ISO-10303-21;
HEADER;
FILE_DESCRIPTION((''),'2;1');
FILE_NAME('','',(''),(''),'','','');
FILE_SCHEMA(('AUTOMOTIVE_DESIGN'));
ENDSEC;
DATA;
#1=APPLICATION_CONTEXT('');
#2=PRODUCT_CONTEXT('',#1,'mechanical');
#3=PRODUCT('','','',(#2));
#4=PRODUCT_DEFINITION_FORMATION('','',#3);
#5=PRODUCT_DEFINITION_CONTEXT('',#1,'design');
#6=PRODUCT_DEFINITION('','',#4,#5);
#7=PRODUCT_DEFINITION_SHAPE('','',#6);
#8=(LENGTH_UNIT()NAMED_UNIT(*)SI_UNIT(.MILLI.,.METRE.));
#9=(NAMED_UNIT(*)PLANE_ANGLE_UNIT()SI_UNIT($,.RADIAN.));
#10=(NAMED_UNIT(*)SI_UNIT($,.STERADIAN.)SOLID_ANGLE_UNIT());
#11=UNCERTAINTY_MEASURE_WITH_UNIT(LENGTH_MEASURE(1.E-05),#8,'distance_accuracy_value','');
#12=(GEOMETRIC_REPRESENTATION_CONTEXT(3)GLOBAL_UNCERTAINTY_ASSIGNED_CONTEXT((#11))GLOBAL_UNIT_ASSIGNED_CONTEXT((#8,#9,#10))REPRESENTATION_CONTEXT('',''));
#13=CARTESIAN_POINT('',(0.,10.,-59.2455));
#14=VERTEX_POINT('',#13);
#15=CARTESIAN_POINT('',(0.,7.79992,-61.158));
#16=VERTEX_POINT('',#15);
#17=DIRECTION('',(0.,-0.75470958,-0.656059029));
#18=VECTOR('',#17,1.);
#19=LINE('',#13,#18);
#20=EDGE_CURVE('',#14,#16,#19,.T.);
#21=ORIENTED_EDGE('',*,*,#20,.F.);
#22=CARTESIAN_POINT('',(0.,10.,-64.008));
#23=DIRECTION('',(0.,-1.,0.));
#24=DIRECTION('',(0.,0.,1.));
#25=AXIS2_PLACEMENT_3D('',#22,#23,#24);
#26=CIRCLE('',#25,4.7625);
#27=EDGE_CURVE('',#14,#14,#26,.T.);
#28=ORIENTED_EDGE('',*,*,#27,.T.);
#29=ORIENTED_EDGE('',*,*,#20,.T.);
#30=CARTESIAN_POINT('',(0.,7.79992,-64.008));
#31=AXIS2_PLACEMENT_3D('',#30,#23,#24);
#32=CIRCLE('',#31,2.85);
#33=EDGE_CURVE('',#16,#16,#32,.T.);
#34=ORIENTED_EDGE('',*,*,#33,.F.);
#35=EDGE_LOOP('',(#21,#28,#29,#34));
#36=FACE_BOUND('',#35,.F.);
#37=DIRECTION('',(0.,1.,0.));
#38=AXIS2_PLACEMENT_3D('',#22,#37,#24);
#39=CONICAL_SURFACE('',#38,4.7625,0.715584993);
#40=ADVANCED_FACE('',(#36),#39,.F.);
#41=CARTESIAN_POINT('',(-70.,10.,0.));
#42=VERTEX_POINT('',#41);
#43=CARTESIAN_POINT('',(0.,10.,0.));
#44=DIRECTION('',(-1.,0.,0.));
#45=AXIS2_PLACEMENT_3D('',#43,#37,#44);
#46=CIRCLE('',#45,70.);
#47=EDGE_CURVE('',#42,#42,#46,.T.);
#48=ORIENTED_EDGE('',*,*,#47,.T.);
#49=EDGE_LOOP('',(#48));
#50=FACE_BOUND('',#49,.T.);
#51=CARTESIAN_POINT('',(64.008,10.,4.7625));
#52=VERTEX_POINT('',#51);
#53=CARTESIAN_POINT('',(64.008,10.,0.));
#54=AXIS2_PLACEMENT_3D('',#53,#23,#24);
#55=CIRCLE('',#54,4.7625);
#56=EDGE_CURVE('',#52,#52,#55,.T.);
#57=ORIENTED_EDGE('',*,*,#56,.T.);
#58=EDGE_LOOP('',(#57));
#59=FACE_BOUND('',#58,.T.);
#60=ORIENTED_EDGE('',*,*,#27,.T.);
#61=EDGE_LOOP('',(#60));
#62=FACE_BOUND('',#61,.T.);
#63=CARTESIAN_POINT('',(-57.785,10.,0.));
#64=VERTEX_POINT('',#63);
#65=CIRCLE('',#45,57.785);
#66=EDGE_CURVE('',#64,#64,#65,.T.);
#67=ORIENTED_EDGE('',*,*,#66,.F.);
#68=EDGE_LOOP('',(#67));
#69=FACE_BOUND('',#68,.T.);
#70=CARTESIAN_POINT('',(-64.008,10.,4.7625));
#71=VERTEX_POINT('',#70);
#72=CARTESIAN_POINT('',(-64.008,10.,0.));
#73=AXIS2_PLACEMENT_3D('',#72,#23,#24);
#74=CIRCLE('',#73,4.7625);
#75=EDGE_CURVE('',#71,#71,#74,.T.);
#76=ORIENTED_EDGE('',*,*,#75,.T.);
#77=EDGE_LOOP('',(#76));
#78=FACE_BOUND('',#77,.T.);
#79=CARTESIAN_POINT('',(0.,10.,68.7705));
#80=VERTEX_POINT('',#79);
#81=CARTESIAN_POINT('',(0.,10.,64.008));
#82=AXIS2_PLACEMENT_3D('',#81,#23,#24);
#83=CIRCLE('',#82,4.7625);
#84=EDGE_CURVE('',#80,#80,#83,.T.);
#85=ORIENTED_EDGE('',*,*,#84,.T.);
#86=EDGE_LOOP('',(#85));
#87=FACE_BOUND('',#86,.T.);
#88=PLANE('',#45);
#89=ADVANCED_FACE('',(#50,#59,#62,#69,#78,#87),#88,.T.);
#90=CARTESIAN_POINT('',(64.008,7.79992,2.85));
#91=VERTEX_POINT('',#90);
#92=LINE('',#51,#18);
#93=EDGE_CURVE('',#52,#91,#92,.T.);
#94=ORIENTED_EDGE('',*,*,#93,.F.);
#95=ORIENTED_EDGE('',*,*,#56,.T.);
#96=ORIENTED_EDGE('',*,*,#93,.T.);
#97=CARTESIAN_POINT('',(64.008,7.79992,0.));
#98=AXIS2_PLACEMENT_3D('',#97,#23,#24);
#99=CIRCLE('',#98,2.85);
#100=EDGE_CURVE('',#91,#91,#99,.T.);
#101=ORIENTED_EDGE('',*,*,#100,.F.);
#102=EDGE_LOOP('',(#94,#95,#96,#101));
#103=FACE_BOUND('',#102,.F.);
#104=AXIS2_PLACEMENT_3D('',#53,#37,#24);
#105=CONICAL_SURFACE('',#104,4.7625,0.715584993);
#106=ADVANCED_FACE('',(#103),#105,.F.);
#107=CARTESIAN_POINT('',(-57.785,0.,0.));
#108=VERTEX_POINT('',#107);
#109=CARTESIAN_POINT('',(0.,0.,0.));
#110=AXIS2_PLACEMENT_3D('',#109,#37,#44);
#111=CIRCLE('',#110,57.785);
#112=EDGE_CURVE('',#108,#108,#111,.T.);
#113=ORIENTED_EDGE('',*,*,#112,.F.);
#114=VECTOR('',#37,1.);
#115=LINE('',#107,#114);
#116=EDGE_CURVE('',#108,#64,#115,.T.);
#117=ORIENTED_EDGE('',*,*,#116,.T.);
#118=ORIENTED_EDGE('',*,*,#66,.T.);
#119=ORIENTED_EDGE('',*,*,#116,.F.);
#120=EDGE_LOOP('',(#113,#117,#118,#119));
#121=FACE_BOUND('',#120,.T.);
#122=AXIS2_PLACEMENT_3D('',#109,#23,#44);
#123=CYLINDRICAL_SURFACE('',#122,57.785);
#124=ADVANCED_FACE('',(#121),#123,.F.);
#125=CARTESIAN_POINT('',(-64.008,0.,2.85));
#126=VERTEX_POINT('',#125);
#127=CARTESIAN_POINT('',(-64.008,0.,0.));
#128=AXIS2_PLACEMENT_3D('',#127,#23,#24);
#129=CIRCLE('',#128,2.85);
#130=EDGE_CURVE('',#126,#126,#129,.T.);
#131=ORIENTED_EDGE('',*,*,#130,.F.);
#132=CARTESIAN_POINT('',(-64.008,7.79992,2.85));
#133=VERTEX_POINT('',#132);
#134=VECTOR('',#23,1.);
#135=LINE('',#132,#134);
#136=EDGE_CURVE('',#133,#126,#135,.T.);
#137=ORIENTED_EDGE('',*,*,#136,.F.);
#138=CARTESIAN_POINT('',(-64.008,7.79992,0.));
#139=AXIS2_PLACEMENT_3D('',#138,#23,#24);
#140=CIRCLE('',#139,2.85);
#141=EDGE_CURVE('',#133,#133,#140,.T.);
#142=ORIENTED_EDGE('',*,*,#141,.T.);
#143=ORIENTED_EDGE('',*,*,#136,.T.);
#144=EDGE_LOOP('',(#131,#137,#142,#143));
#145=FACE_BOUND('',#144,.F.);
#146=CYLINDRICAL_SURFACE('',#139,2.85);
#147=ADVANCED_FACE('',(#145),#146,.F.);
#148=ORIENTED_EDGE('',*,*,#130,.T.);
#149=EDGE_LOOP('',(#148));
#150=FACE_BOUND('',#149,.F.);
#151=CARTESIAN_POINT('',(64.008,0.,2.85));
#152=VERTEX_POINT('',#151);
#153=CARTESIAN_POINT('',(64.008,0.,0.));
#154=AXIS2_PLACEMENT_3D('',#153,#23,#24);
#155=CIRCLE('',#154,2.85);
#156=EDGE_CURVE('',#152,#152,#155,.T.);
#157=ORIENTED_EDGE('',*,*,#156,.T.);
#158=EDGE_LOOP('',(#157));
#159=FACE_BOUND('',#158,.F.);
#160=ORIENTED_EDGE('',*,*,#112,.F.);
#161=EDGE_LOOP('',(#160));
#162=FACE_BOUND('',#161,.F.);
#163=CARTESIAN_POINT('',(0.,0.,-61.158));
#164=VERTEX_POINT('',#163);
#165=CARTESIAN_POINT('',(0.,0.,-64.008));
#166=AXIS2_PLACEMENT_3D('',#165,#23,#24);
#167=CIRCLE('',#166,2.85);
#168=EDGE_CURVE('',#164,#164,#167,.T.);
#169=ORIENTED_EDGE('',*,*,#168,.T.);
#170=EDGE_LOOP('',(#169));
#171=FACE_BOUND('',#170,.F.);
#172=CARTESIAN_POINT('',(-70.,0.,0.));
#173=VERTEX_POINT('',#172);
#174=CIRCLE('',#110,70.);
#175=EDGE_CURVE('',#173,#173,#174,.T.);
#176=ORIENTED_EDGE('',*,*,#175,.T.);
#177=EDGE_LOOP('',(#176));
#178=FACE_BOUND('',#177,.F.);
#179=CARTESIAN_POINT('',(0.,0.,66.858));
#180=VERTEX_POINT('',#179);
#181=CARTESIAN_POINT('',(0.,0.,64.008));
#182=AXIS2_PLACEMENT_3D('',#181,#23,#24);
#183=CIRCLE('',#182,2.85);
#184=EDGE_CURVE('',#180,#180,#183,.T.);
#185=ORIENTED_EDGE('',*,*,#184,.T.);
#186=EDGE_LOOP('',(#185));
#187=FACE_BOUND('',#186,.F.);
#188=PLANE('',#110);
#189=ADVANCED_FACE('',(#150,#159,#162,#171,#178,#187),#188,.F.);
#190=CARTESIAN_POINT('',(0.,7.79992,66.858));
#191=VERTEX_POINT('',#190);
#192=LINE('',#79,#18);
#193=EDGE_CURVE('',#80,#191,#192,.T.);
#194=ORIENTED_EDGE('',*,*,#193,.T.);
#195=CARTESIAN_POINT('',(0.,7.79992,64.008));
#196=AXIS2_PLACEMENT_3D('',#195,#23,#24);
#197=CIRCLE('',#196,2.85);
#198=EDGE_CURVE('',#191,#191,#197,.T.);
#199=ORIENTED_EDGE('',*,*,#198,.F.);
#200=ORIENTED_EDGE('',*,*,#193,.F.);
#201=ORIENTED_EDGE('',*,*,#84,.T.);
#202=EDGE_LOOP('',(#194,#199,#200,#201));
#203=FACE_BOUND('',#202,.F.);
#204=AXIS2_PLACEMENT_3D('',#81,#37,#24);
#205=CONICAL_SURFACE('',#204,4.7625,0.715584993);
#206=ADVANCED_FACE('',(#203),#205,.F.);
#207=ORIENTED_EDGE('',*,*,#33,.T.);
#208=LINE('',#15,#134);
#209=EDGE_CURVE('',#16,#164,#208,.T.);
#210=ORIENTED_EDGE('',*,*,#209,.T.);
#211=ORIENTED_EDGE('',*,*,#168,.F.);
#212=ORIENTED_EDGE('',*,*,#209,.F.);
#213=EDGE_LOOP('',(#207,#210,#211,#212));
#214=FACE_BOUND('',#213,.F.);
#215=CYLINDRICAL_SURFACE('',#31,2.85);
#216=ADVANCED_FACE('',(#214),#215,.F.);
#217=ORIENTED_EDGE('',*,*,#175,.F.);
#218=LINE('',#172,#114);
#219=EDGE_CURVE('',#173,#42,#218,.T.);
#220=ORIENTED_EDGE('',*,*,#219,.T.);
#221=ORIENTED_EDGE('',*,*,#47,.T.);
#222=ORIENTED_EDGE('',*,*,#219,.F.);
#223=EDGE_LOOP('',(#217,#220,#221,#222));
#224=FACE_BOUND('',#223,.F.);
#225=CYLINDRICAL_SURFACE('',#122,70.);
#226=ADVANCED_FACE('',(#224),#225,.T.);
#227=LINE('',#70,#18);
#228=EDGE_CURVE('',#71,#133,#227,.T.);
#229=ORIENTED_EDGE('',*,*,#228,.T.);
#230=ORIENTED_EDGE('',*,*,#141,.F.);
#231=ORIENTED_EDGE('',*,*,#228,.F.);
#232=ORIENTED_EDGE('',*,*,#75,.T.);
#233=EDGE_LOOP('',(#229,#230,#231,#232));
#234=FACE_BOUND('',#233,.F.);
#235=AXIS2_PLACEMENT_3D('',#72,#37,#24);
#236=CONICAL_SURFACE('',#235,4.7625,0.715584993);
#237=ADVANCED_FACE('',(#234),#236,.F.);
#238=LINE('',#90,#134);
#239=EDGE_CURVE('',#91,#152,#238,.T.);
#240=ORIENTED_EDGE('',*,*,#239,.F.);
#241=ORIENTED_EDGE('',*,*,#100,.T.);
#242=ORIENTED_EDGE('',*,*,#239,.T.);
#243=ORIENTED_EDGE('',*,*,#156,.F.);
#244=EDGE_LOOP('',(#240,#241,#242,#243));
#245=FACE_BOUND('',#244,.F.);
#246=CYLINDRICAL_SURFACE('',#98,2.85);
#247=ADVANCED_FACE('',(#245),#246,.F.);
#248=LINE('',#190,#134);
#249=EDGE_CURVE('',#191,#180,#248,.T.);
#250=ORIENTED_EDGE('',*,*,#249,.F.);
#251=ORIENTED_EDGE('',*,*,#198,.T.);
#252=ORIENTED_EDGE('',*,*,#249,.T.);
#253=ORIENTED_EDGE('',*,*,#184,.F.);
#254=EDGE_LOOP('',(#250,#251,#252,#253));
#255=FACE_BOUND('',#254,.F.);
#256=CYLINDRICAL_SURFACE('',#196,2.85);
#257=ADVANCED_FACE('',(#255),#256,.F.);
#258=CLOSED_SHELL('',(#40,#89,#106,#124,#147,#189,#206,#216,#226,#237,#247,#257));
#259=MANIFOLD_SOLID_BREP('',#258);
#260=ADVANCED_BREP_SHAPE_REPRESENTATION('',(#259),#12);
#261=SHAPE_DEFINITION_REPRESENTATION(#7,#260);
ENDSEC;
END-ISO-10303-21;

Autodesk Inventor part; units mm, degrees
ref_plane "YZ Plane" through (0, 0, 0) normal (1, 0, 0) x (0, 1, 0)
ref_plane "XZ Plane" through (0, 0, 0) normal (0, 1, 0) x (-1, 0, 0)
ref_plane "XY Plane" through (0, 0, 0) normal (0, 0, 1) x (1, 0, 0)
sketch "Sketch1" plane through (0, 0, 0) normal (0, 1, 0) x (-1, 0, 0)
  circle A0 centre (0, 0) radius 70
  circle A1 centre (0, 0) radius 57.785
  dimension "d0" = 140
  dimension "d3" = 115.57
extrude "Extrusion1" add sketch "Sketch1" along normal blind 10
sketch "Sketch2" plane through (0, 10, 0) normal (0, 1, 0) x (1, 0, 0)
  circle A0 centre (0, 0) radius 70 projected
  circle A1 centre (0, 0) radius 57.785 projected
  circle A2 centre (0, 0) radius 70 projected
  line L0 (0, 0) -> (-64.008, 0)
  line L1 (0, 0) -> (0, -64.008)
  point P0 (0, -64.008)
  point P1 (64.008, 0)
  point P2 (0, 64.008)
  dimension "d24" = 64.008
  dimension "d25" = 64.008
  dimension "d28" = 360
hole "Hole2" at (-64.008, 10, 0) at (0, 10, -64.008) at (64.008, 10, 0) at (0, 10, 64.008) direction (0, -1, 0) diameter 5.7 end through all countersink diameter 9.525 countersink angle 82
properties part number "outerbearingwheel"
